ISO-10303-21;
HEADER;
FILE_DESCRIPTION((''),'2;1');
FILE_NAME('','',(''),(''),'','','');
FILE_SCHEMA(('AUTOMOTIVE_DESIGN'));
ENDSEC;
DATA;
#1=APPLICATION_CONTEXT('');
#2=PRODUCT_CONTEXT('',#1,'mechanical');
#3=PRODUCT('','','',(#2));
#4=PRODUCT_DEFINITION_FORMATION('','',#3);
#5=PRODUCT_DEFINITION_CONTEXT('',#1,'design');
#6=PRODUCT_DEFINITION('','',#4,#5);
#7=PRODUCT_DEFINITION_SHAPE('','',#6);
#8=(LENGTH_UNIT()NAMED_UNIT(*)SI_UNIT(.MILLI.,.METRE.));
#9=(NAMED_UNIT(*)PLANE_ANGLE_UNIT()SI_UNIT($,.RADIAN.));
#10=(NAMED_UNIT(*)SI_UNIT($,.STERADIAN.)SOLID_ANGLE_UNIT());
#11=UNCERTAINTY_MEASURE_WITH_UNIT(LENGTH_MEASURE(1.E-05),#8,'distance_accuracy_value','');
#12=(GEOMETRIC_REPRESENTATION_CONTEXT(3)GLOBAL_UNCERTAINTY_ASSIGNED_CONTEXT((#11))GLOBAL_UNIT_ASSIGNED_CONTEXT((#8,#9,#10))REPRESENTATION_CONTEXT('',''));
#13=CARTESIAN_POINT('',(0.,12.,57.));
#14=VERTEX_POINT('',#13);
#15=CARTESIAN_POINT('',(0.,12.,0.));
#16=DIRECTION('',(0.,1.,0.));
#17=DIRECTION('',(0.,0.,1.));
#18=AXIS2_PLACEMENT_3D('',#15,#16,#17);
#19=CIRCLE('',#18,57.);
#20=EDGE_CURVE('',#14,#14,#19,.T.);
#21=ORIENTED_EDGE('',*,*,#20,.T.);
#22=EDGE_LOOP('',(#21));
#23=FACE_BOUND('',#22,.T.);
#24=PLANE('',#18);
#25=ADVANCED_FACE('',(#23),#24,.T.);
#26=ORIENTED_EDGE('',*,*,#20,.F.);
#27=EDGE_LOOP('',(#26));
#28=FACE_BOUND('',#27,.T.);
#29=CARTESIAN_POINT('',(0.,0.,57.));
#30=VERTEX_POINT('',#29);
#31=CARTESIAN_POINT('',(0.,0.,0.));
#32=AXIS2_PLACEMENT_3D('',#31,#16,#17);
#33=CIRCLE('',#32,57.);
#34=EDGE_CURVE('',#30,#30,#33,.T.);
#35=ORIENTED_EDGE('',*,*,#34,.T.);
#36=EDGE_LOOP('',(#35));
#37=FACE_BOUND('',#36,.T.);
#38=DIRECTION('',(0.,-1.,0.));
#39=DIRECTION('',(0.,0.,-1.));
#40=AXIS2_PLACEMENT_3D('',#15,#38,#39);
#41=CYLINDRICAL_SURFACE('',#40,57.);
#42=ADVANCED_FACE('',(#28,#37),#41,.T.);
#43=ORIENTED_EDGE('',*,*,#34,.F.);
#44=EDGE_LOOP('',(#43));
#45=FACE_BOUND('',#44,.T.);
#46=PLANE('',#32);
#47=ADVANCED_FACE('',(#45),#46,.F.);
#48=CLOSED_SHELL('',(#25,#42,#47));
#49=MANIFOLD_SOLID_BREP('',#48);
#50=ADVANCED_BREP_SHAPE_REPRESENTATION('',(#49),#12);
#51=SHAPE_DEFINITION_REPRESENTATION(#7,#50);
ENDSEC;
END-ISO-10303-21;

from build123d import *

# Parameters (mm, degrees)
SKETCH_1_R         = 57
EXTRUDE_D114_DEPTH = 12


with BuildPart() as part:
    # 草图1 → D114 主观察窗 (new body)
    with BuildSketch(Plane(origin=(0, 0, 0), x_dir=(1, 0, 0), z_dir=(0, 1, 0))):
        with Locations(Location((0, 0, 0), (0, 0, 270))):
            Circle(SKETCH_1_R)
    extrude(amount=EXTRUDE_D114_DEPTH)


solid = part.part
